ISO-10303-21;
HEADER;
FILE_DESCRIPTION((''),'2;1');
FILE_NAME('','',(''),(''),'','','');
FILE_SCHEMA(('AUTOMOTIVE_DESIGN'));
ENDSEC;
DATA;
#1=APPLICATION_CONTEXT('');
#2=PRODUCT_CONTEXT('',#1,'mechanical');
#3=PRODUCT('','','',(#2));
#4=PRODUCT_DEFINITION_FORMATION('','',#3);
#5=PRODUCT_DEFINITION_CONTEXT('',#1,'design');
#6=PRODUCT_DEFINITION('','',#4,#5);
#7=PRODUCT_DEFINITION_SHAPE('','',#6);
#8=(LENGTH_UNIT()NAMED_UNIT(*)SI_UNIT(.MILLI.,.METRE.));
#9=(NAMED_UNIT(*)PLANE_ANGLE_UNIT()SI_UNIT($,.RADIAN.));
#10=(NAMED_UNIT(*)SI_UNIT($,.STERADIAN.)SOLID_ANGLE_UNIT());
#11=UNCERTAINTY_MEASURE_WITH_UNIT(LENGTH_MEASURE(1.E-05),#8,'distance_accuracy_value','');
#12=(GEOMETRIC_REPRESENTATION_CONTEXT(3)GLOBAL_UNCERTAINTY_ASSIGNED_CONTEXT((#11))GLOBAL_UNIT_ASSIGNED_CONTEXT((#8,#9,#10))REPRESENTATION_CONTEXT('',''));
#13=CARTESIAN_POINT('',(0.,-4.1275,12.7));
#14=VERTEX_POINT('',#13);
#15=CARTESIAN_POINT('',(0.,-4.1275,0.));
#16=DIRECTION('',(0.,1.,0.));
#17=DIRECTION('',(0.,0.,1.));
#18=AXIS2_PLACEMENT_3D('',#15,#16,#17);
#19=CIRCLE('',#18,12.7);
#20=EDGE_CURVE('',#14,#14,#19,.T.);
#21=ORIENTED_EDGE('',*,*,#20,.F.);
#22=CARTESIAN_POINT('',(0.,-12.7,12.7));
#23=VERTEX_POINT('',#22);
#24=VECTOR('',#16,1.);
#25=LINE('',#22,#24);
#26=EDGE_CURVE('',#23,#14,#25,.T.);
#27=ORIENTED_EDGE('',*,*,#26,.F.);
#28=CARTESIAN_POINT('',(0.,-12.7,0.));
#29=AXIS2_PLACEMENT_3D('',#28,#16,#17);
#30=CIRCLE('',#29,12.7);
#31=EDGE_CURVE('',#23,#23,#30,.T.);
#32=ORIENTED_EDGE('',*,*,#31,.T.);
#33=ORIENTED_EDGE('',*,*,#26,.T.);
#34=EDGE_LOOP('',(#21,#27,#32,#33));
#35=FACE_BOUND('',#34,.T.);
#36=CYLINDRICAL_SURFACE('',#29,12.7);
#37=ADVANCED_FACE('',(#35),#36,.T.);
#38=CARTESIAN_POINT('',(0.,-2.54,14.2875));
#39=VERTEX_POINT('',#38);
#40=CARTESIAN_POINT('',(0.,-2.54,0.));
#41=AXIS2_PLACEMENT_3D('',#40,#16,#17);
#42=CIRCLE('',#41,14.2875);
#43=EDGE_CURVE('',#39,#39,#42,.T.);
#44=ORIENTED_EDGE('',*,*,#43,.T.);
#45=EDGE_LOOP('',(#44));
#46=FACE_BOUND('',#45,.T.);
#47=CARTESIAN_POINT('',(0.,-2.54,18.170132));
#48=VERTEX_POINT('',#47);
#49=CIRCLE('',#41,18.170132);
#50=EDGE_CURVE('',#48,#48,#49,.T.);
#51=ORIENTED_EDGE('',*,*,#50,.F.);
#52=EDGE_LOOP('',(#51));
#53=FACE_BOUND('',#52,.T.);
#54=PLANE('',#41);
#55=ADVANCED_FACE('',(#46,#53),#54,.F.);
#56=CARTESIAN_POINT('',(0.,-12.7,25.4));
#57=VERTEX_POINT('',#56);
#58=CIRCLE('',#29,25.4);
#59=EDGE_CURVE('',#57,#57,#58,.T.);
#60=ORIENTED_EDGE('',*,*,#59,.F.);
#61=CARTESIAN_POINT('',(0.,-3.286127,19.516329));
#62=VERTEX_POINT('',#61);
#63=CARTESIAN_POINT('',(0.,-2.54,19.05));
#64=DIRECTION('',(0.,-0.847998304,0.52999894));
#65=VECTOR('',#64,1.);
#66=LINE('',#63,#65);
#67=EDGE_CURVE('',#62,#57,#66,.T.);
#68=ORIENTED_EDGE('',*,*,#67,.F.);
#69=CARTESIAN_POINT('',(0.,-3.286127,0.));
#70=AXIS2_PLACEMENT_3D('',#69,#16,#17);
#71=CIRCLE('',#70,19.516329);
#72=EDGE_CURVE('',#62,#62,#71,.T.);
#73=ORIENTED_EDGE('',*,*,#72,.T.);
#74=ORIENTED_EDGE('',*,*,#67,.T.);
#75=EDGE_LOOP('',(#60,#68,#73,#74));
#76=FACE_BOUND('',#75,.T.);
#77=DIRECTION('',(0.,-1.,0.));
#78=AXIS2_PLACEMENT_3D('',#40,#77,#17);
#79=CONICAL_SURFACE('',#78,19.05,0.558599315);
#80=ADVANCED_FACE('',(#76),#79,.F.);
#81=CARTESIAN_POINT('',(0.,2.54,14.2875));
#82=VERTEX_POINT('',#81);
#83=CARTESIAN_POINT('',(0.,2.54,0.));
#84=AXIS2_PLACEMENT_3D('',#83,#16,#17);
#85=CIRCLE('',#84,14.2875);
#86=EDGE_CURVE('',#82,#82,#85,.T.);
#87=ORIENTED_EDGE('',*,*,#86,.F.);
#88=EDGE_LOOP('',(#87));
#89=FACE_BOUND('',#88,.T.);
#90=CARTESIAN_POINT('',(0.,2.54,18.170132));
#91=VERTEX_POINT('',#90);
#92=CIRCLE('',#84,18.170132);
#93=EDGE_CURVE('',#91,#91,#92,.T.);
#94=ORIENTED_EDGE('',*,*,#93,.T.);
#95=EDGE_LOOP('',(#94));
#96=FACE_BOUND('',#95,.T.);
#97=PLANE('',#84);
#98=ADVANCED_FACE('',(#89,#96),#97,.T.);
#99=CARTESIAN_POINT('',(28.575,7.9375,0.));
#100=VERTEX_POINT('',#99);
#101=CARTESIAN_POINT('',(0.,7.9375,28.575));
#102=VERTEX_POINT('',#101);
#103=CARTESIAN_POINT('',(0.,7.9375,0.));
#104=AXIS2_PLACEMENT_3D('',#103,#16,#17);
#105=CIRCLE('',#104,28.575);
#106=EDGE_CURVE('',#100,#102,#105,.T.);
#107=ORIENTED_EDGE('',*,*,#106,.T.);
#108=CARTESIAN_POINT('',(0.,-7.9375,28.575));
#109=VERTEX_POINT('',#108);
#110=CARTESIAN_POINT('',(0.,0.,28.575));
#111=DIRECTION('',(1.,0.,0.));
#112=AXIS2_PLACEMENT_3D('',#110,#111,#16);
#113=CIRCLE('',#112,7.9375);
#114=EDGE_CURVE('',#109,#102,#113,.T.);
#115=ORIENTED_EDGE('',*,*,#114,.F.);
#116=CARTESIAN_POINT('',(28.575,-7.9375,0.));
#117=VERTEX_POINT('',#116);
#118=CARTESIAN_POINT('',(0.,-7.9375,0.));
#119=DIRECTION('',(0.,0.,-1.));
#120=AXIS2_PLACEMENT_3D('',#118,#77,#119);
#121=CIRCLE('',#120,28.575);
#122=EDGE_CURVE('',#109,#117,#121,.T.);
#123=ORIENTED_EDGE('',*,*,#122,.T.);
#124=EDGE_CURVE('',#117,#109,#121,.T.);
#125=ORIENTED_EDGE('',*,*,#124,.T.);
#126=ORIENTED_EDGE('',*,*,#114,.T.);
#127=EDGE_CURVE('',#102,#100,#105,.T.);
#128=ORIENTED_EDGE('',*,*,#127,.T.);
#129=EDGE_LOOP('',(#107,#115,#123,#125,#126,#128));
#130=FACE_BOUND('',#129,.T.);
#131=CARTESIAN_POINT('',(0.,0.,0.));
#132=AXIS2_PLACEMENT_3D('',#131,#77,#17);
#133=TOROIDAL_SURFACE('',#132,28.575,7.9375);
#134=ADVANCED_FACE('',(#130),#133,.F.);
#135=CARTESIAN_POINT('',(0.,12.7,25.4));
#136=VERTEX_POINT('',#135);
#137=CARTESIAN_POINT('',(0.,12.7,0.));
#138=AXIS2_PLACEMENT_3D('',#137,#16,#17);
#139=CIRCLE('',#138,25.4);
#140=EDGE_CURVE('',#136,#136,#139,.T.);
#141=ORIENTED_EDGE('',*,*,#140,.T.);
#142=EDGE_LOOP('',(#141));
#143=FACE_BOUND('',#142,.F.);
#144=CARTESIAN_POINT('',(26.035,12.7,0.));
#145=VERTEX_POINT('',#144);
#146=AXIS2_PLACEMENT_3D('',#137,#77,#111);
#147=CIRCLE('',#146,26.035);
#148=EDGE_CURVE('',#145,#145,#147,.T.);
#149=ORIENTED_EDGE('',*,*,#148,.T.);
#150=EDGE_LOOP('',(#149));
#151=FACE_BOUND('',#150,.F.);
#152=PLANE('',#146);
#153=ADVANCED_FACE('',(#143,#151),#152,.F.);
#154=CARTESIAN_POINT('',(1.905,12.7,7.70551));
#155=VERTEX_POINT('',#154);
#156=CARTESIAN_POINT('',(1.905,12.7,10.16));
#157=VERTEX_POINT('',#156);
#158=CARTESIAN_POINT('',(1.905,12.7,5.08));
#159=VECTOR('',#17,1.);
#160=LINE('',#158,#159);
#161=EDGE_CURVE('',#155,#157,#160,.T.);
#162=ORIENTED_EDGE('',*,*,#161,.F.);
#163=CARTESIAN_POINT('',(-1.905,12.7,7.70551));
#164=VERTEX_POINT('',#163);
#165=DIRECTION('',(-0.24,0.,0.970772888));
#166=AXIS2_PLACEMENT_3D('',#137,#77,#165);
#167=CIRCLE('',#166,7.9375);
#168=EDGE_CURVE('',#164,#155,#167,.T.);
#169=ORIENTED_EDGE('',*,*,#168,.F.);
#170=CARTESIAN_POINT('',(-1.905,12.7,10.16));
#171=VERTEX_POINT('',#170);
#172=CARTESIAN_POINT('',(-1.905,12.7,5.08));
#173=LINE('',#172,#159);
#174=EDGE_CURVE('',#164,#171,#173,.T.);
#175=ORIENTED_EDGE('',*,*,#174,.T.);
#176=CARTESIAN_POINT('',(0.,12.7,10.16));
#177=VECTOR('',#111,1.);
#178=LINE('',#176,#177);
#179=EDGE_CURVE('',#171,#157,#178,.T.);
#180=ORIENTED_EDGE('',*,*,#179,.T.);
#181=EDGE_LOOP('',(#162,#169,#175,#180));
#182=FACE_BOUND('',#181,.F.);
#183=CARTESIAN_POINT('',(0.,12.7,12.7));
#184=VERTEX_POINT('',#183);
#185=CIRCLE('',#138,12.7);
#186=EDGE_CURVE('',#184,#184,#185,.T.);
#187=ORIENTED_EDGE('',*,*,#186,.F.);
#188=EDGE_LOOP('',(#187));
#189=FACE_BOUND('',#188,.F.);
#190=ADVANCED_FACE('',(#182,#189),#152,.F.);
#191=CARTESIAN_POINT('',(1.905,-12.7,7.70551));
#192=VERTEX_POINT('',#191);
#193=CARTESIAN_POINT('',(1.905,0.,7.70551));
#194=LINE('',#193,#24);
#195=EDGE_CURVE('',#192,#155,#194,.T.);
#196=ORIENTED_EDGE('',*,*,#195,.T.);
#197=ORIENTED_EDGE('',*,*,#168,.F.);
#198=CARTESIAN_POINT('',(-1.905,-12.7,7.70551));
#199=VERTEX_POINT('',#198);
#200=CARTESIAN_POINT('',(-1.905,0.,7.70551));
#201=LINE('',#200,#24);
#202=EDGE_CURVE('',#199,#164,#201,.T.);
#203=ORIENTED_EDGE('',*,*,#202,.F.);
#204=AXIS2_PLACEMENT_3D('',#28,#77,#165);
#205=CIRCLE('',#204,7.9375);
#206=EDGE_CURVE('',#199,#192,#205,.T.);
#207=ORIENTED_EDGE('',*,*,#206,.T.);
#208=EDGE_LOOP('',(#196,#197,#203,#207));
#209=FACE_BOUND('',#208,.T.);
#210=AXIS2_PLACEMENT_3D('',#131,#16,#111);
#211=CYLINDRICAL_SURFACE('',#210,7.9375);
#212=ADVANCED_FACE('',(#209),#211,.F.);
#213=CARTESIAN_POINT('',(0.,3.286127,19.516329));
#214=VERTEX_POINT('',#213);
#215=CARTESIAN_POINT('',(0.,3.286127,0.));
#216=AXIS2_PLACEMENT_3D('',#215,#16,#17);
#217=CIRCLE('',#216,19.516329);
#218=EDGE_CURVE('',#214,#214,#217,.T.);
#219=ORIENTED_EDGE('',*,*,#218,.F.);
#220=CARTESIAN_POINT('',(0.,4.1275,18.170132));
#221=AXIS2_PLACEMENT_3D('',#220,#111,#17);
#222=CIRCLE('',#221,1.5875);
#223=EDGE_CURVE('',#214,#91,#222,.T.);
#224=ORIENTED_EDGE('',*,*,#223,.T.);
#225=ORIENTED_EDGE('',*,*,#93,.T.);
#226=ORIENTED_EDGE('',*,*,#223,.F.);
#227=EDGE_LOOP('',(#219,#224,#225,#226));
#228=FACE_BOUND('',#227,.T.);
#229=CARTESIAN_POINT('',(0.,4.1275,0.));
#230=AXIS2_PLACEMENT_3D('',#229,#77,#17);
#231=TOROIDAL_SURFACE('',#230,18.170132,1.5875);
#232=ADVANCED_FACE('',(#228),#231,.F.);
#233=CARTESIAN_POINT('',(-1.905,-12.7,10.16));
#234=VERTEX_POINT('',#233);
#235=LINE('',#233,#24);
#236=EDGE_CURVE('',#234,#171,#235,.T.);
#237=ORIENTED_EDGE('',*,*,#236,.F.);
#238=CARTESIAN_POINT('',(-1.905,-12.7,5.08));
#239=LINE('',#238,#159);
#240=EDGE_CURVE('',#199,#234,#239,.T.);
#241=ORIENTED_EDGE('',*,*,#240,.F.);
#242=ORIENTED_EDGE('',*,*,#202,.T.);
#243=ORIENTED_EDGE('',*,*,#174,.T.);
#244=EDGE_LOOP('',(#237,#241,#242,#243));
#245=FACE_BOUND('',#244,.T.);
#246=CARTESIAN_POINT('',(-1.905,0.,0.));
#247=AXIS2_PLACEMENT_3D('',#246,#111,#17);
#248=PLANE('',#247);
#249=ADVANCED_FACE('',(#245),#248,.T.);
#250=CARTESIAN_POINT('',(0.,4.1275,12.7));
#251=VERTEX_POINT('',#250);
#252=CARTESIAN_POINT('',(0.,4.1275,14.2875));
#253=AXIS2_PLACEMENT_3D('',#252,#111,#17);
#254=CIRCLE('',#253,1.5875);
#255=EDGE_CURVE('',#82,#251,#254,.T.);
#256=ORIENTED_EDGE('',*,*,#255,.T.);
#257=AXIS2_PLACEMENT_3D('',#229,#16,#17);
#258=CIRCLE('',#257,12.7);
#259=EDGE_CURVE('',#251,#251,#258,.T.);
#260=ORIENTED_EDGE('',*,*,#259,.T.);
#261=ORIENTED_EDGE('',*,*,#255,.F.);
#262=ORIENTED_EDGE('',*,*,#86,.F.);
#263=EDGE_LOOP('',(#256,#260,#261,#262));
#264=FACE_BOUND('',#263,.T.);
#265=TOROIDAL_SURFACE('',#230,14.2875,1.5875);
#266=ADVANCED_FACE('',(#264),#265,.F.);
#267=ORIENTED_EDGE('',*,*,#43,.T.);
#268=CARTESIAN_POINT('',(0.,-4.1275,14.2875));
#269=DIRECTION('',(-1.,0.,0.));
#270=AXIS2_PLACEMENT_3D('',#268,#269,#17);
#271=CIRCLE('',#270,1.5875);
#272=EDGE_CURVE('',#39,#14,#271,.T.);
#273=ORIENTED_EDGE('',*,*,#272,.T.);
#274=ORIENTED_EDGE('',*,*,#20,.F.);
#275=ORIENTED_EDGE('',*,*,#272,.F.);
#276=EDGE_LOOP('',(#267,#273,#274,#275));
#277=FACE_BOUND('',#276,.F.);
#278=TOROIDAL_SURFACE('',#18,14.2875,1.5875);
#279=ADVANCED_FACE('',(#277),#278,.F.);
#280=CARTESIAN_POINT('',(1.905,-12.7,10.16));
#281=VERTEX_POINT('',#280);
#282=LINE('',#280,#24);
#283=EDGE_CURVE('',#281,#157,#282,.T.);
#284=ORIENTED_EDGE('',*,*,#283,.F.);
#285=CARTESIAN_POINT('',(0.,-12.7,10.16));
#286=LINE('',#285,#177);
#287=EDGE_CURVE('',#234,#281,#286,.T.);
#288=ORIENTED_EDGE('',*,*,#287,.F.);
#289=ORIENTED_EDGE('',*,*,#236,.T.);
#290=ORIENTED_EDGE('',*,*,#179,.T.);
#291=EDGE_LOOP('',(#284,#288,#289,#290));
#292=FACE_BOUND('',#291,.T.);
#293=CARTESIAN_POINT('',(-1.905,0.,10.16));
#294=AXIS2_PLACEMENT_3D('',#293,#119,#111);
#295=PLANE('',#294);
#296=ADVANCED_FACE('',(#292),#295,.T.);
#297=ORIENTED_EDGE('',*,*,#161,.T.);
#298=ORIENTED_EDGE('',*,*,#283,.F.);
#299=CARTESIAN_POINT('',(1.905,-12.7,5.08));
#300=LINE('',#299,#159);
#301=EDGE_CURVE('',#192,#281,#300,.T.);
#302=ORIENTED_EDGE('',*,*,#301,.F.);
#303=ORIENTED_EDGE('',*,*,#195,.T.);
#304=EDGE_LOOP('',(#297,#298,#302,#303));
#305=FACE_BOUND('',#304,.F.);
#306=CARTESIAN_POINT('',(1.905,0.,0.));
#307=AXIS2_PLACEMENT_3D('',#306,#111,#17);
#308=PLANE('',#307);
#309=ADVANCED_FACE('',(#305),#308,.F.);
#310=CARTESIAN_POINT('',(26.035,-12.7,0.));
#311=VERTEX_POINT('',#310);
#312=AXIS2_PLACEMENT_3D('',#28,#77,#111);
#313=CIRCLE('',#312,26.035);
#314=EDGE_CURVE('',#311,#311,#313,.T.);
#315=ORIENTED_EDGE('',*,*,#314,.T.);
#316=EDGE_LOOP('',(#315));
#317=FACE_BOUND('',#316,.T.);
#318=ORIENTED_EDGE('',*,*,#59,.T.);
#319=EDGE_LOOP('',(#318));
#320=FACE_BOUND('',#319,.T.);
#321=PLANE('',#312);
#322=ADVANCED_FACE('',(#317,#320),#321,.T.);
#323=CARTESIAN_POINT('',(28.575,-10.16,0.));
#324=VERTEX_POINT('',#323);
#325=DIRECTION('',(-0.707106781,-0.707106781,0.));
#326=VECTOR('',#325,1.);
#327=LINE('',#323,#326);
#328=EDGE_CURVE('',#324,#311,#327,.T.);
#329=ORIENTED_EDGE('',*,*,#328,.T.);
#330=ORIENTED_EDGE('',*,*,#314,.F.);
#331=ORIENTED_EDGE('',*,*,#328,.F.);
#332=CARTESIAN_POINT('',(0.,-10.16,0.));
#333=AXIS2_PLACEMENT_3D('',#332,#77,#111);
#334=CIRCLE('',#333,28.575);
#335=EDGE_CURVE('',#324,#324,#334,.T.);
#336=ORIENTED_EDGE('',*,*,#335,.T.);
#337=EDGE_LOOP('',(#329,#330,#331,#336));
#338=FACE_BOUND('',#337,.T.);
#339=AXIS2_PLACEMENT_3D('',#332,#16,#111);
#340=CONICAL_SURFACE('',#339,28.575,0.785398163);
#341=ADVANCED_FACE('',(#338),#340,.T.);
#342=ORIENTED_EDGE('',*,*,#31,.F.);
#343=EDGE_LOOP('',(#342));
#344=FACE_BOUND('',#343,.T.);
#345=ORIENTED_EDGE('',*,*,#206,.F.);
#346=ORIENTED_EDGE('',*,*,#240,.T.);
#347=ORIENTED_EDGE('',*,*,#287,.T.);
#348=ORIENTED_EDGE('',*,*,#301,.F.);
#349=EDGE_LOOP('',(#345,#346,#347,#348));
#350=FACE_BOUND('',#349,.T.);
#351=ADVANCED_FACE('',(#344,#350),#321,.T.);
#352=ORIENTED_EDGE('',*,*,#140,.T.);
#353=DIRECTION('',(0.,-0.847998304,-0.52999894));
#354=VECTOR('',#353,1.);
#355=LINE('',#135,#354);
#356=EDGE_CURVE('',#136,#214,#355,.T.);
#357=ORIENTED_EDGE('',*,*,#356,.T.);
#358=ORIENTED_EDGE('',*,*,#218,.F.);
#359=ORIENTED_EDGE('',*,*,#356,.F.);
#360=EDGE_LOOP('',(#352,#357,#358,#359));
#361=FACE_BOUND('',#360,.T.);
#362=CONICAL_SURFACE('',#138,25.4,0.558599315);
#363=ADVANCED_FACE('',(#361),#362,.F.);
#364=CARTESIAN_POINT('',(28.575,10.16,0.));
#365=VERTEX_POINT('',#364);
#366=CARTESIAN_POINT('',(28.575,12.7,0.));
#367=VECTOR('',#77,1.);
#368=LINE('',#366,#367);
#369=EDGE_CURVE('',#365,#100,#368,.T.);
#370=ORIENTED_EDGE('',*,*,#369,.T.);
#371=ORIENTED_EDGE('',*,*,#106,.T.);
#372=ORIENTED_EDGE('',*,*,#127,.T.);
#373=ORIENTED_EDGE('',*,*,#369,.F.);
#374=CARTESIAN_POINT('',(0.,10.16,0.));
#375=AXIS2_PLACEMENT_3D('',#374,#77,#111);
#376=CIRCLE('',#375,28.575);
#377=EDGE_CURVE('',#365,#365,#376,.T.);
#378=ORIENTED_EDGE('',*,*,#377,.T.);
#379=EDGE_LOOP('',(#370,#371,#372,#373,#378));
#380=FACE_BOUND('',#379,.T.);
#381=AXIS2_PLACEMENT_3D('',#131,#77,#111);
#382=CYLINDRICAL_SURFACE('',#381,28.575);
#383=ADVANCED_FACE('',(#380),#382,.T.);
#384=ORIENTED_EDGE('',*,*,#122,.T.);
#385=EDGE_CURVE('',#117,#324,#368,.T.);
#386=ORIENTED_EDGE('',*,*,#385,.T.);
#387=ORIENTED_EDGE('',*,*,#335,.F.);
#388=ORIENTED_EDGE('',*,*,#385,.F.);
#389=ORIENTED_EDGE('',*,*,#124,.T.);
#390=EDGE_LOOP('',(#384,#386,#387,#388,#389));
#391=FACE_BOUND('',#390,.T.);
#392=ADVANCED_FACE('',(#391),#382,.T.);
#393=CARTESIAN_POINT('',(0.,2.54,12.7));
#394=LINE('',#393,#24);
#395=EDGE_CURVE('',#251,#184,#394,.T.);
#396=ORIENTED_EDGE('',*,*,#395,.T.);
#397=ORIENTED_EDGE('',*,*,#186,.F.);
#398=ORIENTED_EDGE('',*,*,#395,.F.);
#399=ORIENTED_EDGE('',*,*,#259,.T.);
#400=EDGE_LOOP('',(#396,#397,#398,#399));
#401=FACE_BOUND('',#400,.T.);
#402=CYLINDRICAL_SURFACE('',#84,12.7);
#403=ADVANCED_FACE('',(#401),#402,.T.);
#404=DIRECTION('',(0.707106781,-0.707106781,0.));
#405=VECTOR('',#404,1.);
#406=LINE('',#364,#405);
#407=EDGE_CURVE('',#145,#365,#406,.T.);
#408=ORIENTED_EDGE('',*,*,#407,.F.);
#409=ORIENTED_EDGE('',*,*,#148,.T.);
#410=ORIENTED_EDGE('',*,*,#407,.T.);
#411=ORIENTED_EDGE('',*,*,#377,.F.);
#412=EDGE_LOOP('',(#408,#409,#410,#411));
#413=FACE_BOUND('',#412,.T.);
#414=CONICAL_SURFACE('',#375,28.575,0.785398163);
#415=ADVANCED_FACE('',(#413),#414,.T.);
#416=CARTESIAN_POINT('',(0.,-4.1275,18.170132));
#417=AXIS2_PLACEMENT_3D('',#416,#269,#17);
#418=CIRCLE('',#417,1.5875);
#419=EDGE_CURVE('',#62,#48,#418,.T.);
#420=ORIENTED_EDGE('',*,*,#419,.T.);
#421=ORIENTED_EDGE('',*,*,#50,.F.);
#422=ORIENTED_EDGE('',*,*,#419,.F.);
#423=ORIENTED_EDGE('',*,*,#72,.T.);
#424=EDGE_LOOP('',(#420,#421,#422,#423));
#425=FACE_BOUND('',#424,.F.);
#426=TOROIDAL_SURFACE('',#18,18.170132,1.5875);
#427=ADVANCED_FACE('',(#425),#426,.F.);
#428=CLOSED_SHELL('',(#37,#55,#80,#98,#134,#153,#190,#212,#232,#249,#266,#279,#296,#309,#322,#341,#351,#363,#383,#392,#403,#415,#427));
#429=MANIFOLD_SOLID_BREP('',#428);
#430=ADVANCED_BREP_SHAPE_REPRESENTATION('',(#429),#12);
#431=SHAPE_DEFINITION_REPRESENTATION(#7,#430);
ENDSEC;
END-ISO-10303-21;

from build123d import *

# Parameters (mm, degrees)
F0_R     = 28.575
F0_R_2   = 7.9375
F1_DEPTH = 12.7
F2_R     = 7.9375
F6_R     = 1.5875
F7_SIZE2 = 2.54
F7_SIZE  = 2.54
F8_W     = 3.81
F8_H     = 10.16
F9_DEPTH = 12.7


with BuildPart() as f1:
    # F0 (on Front) → F1 (new body, symmetric)
    with BuildSketch(Plane.XZ):
        Circle(F0_R)
        Circle(F0_R_2, mode=Mode.SUBTRACT)
    extrude(amount=F1_DEPTH, both=True)

    # F2 (on Right) → F3 (revolve, cut)
    with BuildSketch(Plane.YZ):
        with Locations((0, 28.575)):
            Circle(F2_R)
    revolve(axis=Axis((0, -5.84708, 0), (0, 1, 0)), mode=Mode.SUBTRACT)

    # F4 (on Right) → F5 (revolve, cut)
    with BuildSketch(Plane.YZ):
        Polygon((12.7, 12.7), (12.7, 25.4), (2.54, 19.05), (2.54, 12.7), align=None)
        Polygon((-2.54, 12.7), (-2.54, 19.05), (-12.7, 25.4), (-12.7, 12.7), align=None)
    revolve(axis=Axis((0, -5.84708, 0), (0, 1, 0)), mode=Mode.SUBTRACT)

    # F6
    f6_edges = [f1.edges().sort_by_distance(p)[0] for p in [
        (0, -2.54, -19.05),
        (0, 2.54, -19.05),
        (0, -2.54, -12.7),
        (0, 2.54, -12.7),
    ]]
    fillet(f6_edges, radius=F6_R)

    # F7
    f7_edges = [f1.edges().sort_by_distance(p)[0] for p in [
        (-28.575, 12.7, 0),
        (-28.575, -12.7, 0),
    ]]
    chamfer(f7_edges, length=F7_SIZE, length2=F7_SIZE2)

    # F8 (on Front) → F9 (cut, symmetric)
    with BuildSketch(Plane.XZ):
        with Locations((0, 5.08)):
            Rectangle(F8_W, F8_H)
    extrude(amount=F9_DEPTH, both=True, mode=Mode.SUBTRACT)


solid = f1.part
